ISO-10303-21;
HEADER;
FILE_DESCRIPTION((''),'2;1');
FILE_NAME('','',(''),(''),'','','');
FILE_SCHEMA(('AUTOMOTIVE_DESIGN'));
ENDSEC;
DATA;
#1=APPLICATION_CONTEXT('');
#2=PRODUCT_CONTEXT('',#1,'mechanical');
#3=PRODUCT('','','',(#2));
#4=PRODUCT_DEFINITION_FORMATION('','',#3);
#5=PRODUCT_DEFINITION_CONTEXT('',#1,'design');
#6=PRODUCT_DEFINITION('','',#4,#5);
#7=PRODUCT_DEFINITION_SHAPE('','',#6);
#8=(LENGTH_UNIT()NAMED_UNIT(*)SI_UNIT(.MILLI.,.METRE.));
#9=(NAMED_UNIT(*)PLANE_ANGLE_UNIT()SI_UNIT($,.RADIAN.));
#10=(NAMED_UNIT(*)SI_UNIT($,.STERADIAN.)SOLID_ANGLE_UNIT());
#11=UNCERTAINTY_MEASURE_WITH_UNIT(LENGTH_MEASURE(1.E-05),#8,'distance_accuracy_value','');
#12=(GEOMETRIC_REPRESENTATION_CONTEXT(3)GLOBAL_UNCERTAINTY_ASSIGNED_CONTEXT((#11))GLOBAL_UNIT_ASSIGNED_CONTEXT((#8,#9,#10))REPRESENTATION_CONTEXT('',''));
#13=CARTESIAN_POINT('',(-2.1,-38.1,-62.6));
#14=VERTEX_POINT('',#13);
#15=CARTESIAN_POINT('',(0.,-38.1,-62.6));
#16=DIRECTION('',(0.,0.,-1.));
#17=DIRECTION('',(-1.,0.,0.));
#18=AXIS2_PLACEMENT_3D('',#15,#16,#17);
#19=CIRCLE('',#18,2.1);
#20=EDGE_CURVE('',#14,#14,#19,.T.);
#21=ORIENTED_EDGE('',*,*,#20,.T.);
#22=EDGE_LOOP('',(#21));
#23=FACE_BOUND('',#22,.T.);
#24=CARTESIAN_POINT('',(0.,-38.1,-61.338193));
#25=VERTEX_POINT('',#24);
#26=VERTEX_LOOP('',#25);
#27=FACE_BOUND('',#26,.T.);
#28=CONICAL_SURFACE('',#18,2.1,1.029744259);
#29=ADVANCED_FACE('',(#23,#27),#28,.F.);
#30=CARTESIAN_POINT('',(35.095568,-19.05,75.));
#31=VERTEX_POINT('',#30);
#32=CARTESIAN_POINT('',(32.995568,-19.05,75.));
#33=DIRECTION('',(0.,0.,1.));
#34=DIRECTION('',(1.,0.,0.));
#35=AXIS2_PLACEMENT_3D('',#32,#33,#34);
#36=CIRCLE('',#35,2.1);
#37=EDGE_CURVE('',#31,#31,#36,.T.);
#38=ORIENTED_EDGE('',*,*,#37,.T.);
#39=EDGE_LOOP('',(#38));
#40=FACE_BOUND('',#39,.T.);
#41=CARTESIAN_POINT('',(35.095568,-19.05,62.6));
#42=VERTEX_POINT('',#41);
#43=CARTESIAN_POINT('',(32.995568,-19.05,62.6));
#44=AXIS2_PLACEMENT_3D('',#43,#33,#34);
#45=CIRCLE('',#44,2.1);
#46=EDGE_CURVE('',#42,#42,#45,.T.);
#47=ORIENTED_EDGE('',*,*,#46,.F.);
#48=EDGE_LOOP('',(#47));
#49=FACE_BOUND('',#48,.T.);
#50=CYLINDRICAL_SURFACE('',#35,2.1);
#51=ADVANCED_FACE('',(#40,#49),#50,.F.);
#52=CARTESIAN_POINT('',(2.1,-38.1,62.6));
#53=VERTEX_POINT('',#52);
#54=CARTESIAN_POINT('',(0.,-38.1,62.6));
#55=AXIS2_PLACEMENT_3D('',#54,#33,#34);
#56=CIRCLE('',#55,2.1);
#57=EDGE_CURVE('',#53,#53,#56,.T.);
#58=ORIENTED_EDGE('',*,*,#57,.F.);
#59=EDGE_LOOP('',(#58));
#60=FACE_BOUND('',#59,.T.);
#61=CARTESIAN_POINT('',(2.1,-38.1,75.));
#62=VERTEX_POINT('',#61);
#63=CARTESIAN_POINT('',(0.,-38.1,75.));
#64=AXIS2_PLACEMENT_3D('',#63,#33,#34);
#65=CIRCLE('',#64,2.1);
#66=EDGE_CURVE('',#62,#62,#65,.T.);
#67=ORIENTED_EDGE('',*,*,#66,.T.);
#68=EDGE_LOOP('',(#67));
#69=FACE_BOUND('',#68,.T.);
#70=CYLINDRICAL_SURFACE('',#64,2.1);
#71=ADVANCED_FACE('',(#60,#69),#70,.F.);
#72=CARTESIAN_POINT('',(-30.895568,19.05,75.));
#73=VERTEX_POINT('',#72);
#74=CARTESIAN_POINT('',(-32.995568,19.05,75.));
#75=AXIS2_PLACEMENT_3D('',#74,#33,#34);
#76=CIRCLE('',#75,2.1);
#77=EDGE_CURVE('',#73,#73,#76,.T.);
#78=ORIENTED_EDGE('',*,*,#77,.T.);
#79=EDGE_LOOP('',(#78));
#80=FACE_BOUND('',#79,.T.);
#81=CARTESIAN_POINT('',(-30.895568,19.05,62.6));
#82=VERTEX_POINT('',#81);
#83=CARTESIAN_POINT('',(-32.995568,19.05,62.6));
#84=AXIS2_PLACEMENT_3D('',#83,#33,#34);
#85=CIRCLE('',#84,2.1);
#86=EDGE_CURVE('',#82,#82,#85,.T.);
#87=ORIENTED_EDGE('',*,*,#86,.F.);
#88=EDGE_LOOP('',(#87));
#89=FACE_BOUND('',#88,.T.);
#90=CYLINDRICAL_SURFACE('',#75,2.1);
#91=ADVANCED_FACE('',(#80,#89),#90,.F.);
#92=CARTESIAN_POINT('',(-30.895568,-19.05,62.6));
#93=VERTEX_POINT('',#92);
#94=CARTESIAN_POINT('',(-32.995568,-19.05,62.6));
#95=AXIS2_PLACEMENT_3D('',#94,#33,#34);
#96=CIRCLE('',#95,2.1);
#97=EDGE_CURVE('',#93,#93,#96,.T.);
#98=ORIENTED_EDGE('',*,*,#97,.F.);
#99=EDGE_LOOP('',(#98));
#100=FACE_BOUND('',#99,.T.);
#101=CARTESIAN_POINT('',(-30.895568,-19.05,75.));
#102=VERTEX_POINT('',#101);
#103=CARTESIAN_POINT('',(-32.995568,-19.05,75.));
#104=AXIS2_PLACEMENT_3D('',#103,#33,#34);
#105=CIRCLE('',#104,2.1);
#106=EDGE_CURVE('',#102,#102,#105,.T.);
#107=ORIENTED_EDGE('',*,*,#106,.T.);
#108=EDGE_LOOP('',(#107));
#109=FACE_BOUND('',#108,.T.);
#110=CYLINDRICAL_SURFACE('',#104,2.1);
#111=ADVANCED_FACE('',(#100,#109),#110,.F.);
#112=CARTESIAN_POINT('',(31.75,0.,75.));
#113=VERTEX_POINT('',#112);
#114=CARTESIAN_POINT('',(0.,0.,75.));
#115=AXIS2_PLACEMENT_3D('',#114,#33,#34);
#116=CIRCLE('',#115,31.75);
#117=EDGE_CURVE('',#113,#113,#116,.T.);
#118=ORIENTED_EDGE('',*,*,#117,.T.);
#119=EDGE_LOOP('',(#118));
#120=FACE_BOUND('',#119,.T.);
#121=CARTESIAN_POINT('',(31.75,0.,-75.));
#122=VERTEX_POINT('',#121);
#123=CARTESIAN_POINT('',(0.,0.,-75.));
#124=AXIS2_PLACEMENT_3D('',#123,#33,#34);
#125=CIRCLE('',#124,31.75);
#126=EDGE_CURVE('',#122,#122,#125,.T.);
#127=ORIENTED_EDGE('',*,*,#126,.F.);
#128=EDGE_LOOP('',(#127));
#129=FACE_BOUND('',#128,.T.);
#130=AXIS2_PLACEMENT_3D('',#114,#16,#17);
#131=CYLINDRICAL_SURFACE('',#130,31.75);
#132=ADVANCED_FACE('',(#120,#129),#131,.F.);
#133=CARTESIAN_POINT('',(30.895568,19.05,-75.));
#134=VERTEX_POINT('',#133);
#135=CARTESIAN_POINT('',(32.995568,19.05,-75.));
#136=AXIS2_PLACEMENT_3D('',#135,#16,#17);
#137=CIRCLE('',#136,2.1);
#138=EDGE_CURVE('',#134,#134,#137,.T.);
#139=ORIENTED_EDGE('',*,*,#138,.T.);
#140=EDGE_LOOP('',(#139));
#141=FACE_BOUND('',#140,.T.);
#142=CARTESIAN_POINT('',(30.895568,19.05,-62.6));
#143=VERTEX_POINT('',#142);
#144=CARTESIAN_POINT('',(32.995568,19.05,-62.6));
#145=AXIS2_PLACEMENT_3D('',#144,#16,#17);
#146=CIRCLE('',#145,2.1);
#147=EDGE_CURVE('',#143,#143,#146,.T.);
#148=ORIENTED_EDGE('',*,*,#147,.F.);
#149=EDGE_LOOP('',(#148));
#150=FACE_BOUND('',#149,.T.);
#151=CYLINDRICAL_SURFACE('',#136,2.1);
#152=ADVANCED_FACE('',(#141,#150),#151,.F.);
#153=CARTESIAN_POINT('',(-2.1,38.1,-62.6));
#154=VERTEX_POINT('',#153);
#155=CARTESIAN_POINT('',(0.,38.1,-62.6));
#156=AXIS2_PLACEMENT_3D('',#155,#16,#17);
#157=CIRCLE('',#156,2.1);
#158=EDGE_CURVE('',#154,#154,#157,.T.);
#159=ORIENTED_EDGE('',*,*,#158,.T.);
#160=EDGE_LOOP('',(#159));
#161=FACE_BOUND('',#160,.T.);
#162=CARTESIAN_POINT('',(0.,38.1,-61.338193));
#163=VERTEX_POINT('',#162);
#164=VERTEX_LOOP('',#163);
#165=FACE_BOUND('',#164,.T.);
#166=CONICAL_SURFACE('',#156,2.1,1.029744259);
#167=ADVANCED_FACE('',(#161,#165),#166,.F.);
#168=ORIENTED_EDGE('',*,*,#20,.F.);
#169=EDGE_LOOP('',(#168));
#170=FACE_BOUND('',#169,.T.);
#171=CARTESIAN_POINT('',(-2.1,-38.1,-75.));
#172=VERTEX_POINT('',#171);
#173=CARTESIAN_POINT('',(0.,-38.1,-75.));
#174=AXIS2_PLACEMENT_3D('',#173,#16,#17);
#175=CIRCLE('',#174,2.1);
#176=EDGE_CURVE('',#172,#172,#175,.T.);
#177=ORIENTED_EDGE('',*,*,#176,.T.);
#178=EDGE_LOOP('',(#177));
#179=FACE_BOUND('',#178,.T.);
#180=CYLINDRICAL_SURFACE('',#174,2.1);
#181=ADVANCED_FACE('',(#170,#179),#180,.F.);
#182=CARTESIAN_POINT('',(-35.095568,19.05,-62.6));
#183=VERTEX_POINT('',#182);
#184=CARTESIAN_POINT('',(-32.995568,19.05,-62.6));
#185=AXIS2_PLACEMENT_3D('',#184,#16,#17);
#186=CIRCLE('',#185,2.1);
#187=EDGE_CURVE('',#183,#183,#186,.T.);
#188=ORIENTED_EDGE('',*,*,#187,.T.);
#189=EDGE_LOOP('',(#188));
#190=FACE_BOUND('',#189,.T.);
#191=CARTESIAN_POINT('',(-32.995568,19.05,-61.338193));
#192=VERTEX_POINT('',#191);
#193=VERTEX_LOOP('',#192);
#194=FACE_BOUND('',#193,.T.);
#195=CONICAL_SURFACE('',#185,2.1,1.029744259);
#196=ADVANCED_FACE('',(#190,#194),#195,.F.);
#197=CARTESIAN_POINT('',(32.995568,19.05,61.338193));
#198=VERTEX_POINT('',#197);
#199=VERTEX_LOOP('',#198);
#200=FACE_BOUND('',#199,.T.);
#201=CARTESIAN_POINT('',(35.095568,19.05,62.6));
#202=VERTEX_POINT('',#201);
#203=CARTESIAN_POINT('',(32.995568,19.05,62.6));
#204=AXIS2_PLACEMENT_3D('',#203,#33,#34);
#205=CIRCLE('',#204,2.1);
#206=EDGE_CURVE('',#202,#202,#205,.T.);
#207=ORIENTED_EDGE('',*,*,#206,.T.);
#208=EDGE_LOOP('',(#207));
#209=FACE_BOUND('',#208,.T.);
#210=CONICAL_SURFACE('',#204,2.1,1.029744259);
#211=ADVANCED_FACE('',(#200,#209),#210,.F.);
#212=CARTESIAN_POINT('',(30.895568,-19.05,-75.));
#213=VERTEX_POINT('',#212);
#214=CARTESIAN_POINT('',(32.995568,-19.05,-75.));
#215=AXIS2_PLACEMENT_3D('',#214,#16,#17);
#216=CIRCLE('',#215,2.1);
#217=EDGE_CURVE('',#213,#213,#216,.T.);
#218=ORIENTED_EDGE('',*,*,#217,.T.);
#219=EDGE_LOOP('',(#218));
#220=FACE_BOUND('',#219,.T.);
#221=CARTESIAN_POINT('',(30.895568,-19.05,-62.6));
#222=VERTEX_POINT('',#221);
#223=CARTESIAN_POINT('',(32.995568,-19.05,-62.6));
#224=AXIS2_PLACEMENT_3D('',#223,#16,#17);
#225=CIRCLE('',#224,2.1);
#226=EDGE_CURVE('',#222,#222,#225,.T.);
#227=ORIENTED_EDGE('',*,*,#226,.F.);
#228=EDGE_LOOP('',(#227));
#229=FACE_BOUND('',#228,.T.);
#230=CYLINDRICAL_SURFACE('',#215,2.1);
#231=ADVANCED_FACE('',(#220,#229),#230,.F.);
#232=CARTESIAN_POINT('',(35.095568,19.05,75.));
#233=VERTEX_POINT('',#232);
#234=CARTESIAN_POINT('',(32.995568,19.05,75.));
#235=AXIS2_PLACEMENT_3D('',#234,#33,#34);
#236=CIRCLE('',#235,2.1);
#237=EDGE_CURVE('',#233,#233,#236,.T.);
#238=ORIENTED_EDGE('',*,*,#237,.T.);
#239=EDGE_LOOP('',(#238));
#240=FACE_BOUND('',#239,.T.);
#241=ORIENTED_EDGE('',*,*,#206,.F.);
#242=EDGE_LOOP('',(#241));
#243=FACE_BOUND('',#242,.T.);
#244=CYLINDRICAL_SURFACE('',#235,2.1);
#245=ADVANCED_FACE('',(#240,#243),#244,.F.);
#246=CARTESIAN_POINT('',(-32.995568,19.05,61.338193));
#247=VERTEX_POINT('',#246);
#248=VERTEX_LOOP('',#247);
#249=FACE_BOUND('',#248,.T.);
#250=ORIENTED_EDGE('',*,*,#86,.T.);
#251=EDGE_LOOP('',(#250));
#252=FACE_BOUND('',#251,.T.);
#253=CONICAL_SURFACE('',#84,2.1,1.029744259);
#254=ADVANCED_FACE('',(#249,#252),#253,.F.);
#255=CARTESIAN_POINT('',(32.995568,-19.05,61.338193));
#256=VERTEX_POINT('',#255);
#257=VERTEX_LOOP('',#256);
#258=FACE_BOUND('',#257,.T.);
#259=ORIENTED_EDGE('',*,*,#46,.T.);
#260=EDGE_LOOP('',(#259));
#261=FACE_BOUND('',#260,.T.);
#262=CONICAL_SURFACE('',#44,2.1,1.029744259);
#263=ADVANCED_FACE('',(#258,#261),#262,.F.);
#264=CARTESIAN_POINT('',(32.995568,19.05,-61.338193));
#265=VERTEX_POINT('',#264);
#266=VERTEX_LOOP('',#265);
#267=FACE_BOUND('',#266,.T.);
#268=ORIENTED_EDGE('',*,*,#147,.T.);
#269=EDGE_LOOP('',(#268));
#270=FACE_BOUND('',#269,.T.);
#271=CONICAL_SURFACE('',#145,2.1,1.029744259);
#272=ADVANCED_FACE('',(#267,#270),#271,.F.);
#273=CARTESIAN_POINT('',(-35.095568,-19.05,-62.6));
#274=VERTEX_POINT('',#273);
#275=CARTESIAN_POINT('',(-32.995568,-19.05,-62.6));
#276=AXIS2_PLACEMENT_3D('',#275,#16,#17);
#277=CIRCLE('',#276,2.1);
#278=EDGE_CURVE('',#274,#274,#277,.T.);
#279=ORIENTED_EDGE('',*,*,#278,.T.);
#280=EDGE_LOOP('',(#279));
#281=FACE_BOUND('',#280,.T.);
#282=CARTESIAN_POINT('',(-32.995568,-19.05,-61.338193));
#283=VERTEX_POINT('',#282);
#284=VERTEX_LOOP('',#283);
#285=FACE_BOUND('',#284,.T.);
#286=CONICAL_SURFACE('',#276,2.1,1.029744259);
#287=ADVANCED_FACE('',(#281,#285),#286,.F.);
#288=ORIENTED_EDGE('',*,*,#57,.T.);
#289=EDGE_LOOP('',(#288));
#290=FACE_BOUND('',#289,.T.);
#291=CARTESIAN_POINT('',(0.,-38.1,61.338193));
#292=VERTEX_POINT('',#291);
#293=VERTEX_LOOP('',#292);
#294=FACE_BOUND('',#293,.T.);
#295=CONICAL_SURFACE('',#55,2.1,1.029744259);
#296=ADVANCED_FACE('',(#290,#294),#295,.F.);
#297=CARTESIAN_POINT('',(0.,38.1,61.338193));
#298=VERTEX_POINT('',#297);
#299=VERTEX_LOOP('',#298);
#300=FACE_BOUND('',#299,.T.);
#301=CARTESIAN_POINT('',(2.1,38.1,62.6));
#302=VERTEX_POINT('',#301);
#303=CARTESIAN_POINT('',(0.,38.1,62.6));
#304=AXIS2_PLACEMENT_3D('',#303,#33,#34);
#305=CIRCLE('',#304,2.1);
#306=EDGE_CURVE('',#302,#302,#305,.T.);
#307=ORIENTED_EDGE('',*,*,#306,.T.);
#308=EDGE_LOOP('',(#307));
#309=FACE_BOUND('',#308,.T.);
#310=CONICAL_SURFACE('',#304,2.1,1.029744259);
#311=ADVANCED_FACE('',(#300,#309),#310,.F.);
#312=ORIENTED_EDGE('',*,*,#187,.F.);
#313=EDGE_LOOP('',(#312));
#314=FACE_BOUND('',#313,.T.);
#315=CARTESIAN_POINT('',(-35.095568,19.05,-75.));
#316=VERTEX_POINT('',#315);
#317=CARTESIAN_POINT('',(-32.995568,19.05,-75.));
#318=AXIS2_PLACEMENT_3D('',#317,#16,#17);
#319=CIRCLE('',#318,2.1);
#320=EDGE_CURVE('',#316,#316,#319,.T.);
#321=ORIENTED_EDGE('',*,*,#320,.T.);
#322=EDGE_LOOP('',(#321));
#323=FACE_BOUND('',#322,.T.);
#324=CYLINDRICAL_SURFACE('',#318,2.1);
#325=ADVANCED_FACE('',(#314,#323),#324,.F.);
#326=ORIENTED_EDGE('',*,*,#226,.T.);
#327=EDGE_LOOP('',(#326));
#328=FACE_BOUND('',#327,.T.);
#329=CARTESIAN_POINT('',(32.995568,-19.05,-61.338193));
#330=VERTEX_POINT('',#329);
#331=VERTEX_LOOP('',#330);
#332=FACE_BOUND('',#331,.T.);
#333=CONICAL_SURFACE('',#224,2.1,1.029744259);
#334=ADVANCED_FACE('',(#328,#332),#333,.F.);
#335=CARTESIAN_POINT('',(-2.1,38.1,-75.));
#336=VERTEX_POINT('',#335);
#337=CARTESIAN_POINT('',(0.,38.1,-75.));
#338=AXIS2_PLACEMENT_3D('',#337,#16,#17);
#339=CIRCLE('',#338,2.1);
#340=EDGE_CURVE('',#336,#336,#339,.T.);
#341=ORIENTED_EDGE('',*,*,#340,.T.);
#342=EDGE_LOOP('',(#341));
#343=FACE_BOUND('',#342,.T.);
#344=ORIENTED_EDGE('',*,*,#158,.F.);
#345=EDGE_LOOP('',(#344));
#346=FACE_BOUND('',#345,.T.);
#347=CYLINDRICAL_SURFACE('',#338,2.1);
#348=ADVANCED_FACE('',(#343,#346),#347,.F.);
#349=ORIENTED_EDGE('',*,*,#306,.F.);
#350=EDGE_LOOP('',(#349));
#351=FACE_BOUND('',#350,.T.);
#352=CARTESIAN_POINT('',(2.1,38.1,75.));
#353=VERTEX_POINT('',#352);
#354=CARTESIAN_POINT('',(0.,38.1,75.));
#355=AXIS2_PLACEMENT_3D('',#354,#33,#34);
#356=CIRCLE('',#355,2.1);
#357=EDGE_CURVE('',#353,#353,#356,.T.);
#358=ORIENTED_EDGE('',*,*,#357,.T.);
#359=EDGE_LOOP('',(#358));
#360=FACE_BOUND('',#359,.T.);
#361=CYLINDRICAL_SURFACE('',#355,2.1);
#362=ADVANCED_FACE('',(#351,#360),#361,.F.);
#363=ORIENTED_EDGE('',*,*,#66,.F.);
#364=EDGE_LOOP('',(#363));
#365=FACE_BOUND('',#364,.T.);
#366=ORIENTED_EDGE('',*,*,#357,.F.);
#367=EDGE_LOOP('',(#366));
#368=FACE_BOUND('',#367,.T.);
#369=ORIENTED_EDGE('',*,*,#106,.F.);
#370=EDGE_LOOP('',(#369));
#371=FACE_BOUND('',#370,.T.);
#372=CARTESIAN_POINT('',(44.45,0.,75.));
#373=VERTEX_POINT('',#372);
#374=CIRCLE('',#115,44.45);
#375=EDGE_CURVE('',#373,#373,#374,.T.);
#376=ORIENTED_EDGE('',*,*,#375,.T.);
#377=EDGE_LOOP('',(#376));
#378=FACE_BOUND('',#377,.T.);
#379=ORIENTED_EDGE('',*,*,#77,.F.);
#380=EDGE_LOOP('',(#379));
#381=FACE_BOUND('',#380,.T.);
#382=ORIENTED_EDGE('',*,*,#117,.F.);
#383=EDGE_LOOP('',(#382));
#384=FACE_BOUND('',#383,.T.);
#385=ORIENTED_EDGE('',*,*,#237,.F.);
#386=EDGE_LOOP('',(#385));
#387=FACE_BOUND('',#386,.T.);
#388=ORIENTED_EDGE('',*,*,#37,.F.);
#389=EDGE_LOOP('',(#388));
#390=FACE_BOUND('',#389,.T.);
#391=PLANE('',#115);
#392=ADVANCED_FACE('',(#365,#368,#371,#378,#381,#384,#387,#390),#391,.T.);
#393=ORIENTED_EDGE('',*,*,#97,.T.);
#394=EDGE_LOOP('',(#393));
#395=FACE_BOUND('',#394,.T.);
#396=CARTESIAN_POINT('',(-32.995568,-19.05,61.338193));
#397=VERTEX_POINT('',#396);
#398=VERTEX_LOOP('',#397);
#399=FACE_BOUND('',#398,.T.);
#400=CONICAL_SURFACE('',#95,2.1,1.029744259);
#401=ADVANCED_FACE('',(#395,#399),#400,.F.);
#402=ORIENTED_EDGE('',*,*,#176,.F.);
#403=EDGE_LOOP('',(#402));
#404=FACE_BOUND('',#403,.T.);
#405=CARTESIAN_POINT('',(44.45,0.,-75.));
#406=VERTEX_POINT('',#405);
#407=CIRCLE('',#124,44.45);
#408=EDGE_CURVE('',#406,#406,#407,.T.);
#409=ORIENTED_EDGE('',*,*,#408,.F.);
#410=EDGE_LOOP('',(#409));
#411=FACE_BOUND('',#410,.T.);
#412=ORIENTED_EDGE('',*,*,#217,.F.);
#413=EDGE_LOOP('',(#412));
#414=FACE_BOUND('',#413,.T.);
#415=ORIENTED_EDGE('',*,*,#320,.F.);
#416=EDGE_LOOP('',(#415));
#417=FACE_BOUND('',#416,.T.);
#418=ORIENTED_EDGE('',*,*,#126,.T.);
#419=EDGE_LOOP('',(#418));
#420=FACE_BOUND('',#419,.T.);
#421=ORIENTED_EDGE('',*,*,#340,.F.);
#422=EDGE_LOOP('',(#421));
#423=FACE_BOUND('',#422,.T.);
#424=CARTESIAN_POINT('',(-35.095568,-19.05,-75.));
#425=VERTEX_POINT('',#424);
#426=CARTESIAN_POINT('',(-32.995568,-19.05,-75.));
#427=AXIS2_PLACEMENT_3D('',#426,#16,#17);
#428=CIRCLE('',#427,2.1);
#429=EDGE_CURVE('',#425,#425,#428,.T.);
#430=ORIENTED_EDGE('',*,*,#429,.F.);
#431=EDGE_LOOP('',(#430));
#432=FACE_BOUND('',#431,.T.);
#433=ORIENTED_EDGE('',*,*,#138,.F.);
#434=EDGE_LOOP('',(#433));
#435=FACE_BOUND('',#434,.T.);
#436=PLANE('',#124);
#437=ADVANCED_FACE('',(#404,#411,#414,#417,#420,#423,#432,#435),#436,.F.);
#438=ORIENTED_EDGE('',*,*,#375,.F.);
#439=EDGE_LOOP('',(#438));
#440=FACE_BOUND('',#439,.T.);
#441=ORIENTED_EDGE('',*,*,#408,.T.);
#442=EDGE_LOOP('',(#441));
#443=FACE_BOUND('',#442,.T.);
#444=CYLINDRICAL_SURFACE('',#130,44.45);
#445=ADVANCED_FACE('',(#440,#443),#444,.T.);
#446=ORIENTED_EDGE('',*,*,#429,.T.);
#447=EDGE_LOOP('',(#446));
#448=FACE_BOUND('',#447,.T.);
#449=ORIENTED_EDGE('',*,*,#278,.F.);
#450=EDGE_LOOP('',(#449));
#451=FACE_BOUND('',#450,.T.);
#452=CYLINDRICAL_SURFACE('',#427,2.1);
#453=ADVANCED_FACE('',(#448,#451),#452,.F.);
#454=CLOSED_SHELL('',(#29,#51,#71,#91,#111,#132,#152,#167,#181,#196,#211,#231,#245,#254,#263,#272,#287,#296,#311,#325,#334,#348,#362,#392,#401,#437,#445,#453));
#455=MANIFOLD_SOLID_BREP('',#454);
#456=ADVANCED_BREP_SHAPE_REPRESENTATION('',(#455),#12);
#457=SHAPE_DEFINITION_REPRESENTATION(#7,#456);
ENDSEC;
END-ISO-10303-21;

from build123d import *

# Parameters (mm, degrees)
SKETCH1_R           = 44.45
SKETCH1_R_2         = 31.75
BOSS_EXTRUDE1_DEPTH = 75
CIRPATTERN1_COUNT   = 6


with BuildPart() as part:
    # Sketch1 → Boss-Extrude1 (new body, symmetric)
    with BuildSketch(Plane.XY):
        Circle(SKETCH1_R)
        Circle(SKETCH1_R_2, mode=Mode.SUBTRACT)
    extrude(amount=BOSS_EXTRUDE1_DEPTH, both=True)

    # Sketch3 → M5x0.8 Tapped Hole1 (revolve, cut)
    with BuildSketch(Plane(origin=(0, 38.1, 75), x_dir=(0, -1, 0), z_dir=(1, 0, 0))):
        Polygon((0, 0), (0, 13.6618073), (2.1, 12.4), (2.1, 0), align=None)
    m5x0_8_tapped_hole1 = revolve(axis=Axis((0, 38.1, 81.35), (0, 0, -1)), mode=Mode.SUBTRACT)

    # CirPattern1: M5x0.8 Tapped Hole1 ×6 about axis
    cirpattern1_axis = Axis((0, 0, 0), (0, 0, 1))
    for i in range(1, CIRPATTERN1_COUNT):
        add(m5x0_8_tapped_hole1.rotate(cirpattern1_axis, i * 360 / CIRPATTERN1_COUNT), mode=Mode.SUBTRACT)

    # Mirror1: M5x0.8 Tapped Hole1 across plane
    add(m5x0_8_tapped_hole1.mirror(Plane.XY), mode=Mode.SUBTRACT)

    # Mirror1 copy 1 sketch → Mirror1 copy 1 (revolve, cut)
    with BuildSketch(Plane(origin=(-32.995567884, 19.05, -75), x_dir=(0.866025404, -0.5, 0), z_dir=(0.5, 0.866025404, 0))):
        Polygon((0, 0), (0, -13.6618073), (2.1, -12.4), (2.1, 0), align=None)
    revolve(axis=Axis((-32.995567884, 19.05, -81.35), (0, 0, -1)), mode=Mode.SUBTRACT)

    # Mirror1 copy 2 sketch → Mirror1 copy 2 (revolve, cut)
    with BuildSketch(Plane(origin=(-32.995567884, -19.05, -75), x_dir=(0.866025404, 0.5, 0), z_dir=(-0.5, 0.866025404, 0))):
        Polygon((0, 0), (0, -13.6618073), (2.1, -12.4), (2.1, 0), align=None)
    revolve(axis=Axis((-32.995567884, -19.05, -81.35), (0, 0, -1)), mode=Mode.SUBTRACT)

    # Mirror1 copy 3 sketch → Mirror1 copy 3 (revolve, cut)
    with BuildSketch(Plane(origin=(0, -38.1, -75), x_dir=(0, 1, 0), z_dir=(-1, 0, 0))):
        Polygon((0, 0), (0, -13.6618073), (2.1, -12.4), (2.1, 0), align=None)
    revolve(axis=Axis((0, -38.1, -81.35), (0, 0, -1)), mode=Mode.SUBTRACT)

    # Mirror1 copy 4 sketch → Mirror1 copy 4 (revolve, cut)
    with BuildSketch(Plane(origin=(32.995567884, -19.05, -75), x_dir=(-0.866025404, 0.5, 0), z_dir=(-0.5, -0.866025404, 0))):
        Polygon((0, 0), (0, -13.6618073), (2.1, -12.4), (2.1, 0), align=None)
    revolve(axis=Axis((32.995567884, -19.05, -81.35), (0, 0, -1)), mode=Mode.SUBTRACT)

    # Mirror1 copy 5 sketch → Mirror1 copy 5 (revolve, cut)
    with BuildSketch(Plane(origin=(32.995567884, 19.05, -75), x_dir=(-0.866025404, -0.5, 0), z_dir=(0.5, -0.866025404, 0))):
        Polygon((0, 0), (0, -13.6618073), (2.1, -12.4), (2.1, 0), align=None)
    revolve(axis=Axis((32.995567884, 19.05, -81.35), (0, 0, -1)), mode=Mode.SUBTRACT)


solid = part.part
